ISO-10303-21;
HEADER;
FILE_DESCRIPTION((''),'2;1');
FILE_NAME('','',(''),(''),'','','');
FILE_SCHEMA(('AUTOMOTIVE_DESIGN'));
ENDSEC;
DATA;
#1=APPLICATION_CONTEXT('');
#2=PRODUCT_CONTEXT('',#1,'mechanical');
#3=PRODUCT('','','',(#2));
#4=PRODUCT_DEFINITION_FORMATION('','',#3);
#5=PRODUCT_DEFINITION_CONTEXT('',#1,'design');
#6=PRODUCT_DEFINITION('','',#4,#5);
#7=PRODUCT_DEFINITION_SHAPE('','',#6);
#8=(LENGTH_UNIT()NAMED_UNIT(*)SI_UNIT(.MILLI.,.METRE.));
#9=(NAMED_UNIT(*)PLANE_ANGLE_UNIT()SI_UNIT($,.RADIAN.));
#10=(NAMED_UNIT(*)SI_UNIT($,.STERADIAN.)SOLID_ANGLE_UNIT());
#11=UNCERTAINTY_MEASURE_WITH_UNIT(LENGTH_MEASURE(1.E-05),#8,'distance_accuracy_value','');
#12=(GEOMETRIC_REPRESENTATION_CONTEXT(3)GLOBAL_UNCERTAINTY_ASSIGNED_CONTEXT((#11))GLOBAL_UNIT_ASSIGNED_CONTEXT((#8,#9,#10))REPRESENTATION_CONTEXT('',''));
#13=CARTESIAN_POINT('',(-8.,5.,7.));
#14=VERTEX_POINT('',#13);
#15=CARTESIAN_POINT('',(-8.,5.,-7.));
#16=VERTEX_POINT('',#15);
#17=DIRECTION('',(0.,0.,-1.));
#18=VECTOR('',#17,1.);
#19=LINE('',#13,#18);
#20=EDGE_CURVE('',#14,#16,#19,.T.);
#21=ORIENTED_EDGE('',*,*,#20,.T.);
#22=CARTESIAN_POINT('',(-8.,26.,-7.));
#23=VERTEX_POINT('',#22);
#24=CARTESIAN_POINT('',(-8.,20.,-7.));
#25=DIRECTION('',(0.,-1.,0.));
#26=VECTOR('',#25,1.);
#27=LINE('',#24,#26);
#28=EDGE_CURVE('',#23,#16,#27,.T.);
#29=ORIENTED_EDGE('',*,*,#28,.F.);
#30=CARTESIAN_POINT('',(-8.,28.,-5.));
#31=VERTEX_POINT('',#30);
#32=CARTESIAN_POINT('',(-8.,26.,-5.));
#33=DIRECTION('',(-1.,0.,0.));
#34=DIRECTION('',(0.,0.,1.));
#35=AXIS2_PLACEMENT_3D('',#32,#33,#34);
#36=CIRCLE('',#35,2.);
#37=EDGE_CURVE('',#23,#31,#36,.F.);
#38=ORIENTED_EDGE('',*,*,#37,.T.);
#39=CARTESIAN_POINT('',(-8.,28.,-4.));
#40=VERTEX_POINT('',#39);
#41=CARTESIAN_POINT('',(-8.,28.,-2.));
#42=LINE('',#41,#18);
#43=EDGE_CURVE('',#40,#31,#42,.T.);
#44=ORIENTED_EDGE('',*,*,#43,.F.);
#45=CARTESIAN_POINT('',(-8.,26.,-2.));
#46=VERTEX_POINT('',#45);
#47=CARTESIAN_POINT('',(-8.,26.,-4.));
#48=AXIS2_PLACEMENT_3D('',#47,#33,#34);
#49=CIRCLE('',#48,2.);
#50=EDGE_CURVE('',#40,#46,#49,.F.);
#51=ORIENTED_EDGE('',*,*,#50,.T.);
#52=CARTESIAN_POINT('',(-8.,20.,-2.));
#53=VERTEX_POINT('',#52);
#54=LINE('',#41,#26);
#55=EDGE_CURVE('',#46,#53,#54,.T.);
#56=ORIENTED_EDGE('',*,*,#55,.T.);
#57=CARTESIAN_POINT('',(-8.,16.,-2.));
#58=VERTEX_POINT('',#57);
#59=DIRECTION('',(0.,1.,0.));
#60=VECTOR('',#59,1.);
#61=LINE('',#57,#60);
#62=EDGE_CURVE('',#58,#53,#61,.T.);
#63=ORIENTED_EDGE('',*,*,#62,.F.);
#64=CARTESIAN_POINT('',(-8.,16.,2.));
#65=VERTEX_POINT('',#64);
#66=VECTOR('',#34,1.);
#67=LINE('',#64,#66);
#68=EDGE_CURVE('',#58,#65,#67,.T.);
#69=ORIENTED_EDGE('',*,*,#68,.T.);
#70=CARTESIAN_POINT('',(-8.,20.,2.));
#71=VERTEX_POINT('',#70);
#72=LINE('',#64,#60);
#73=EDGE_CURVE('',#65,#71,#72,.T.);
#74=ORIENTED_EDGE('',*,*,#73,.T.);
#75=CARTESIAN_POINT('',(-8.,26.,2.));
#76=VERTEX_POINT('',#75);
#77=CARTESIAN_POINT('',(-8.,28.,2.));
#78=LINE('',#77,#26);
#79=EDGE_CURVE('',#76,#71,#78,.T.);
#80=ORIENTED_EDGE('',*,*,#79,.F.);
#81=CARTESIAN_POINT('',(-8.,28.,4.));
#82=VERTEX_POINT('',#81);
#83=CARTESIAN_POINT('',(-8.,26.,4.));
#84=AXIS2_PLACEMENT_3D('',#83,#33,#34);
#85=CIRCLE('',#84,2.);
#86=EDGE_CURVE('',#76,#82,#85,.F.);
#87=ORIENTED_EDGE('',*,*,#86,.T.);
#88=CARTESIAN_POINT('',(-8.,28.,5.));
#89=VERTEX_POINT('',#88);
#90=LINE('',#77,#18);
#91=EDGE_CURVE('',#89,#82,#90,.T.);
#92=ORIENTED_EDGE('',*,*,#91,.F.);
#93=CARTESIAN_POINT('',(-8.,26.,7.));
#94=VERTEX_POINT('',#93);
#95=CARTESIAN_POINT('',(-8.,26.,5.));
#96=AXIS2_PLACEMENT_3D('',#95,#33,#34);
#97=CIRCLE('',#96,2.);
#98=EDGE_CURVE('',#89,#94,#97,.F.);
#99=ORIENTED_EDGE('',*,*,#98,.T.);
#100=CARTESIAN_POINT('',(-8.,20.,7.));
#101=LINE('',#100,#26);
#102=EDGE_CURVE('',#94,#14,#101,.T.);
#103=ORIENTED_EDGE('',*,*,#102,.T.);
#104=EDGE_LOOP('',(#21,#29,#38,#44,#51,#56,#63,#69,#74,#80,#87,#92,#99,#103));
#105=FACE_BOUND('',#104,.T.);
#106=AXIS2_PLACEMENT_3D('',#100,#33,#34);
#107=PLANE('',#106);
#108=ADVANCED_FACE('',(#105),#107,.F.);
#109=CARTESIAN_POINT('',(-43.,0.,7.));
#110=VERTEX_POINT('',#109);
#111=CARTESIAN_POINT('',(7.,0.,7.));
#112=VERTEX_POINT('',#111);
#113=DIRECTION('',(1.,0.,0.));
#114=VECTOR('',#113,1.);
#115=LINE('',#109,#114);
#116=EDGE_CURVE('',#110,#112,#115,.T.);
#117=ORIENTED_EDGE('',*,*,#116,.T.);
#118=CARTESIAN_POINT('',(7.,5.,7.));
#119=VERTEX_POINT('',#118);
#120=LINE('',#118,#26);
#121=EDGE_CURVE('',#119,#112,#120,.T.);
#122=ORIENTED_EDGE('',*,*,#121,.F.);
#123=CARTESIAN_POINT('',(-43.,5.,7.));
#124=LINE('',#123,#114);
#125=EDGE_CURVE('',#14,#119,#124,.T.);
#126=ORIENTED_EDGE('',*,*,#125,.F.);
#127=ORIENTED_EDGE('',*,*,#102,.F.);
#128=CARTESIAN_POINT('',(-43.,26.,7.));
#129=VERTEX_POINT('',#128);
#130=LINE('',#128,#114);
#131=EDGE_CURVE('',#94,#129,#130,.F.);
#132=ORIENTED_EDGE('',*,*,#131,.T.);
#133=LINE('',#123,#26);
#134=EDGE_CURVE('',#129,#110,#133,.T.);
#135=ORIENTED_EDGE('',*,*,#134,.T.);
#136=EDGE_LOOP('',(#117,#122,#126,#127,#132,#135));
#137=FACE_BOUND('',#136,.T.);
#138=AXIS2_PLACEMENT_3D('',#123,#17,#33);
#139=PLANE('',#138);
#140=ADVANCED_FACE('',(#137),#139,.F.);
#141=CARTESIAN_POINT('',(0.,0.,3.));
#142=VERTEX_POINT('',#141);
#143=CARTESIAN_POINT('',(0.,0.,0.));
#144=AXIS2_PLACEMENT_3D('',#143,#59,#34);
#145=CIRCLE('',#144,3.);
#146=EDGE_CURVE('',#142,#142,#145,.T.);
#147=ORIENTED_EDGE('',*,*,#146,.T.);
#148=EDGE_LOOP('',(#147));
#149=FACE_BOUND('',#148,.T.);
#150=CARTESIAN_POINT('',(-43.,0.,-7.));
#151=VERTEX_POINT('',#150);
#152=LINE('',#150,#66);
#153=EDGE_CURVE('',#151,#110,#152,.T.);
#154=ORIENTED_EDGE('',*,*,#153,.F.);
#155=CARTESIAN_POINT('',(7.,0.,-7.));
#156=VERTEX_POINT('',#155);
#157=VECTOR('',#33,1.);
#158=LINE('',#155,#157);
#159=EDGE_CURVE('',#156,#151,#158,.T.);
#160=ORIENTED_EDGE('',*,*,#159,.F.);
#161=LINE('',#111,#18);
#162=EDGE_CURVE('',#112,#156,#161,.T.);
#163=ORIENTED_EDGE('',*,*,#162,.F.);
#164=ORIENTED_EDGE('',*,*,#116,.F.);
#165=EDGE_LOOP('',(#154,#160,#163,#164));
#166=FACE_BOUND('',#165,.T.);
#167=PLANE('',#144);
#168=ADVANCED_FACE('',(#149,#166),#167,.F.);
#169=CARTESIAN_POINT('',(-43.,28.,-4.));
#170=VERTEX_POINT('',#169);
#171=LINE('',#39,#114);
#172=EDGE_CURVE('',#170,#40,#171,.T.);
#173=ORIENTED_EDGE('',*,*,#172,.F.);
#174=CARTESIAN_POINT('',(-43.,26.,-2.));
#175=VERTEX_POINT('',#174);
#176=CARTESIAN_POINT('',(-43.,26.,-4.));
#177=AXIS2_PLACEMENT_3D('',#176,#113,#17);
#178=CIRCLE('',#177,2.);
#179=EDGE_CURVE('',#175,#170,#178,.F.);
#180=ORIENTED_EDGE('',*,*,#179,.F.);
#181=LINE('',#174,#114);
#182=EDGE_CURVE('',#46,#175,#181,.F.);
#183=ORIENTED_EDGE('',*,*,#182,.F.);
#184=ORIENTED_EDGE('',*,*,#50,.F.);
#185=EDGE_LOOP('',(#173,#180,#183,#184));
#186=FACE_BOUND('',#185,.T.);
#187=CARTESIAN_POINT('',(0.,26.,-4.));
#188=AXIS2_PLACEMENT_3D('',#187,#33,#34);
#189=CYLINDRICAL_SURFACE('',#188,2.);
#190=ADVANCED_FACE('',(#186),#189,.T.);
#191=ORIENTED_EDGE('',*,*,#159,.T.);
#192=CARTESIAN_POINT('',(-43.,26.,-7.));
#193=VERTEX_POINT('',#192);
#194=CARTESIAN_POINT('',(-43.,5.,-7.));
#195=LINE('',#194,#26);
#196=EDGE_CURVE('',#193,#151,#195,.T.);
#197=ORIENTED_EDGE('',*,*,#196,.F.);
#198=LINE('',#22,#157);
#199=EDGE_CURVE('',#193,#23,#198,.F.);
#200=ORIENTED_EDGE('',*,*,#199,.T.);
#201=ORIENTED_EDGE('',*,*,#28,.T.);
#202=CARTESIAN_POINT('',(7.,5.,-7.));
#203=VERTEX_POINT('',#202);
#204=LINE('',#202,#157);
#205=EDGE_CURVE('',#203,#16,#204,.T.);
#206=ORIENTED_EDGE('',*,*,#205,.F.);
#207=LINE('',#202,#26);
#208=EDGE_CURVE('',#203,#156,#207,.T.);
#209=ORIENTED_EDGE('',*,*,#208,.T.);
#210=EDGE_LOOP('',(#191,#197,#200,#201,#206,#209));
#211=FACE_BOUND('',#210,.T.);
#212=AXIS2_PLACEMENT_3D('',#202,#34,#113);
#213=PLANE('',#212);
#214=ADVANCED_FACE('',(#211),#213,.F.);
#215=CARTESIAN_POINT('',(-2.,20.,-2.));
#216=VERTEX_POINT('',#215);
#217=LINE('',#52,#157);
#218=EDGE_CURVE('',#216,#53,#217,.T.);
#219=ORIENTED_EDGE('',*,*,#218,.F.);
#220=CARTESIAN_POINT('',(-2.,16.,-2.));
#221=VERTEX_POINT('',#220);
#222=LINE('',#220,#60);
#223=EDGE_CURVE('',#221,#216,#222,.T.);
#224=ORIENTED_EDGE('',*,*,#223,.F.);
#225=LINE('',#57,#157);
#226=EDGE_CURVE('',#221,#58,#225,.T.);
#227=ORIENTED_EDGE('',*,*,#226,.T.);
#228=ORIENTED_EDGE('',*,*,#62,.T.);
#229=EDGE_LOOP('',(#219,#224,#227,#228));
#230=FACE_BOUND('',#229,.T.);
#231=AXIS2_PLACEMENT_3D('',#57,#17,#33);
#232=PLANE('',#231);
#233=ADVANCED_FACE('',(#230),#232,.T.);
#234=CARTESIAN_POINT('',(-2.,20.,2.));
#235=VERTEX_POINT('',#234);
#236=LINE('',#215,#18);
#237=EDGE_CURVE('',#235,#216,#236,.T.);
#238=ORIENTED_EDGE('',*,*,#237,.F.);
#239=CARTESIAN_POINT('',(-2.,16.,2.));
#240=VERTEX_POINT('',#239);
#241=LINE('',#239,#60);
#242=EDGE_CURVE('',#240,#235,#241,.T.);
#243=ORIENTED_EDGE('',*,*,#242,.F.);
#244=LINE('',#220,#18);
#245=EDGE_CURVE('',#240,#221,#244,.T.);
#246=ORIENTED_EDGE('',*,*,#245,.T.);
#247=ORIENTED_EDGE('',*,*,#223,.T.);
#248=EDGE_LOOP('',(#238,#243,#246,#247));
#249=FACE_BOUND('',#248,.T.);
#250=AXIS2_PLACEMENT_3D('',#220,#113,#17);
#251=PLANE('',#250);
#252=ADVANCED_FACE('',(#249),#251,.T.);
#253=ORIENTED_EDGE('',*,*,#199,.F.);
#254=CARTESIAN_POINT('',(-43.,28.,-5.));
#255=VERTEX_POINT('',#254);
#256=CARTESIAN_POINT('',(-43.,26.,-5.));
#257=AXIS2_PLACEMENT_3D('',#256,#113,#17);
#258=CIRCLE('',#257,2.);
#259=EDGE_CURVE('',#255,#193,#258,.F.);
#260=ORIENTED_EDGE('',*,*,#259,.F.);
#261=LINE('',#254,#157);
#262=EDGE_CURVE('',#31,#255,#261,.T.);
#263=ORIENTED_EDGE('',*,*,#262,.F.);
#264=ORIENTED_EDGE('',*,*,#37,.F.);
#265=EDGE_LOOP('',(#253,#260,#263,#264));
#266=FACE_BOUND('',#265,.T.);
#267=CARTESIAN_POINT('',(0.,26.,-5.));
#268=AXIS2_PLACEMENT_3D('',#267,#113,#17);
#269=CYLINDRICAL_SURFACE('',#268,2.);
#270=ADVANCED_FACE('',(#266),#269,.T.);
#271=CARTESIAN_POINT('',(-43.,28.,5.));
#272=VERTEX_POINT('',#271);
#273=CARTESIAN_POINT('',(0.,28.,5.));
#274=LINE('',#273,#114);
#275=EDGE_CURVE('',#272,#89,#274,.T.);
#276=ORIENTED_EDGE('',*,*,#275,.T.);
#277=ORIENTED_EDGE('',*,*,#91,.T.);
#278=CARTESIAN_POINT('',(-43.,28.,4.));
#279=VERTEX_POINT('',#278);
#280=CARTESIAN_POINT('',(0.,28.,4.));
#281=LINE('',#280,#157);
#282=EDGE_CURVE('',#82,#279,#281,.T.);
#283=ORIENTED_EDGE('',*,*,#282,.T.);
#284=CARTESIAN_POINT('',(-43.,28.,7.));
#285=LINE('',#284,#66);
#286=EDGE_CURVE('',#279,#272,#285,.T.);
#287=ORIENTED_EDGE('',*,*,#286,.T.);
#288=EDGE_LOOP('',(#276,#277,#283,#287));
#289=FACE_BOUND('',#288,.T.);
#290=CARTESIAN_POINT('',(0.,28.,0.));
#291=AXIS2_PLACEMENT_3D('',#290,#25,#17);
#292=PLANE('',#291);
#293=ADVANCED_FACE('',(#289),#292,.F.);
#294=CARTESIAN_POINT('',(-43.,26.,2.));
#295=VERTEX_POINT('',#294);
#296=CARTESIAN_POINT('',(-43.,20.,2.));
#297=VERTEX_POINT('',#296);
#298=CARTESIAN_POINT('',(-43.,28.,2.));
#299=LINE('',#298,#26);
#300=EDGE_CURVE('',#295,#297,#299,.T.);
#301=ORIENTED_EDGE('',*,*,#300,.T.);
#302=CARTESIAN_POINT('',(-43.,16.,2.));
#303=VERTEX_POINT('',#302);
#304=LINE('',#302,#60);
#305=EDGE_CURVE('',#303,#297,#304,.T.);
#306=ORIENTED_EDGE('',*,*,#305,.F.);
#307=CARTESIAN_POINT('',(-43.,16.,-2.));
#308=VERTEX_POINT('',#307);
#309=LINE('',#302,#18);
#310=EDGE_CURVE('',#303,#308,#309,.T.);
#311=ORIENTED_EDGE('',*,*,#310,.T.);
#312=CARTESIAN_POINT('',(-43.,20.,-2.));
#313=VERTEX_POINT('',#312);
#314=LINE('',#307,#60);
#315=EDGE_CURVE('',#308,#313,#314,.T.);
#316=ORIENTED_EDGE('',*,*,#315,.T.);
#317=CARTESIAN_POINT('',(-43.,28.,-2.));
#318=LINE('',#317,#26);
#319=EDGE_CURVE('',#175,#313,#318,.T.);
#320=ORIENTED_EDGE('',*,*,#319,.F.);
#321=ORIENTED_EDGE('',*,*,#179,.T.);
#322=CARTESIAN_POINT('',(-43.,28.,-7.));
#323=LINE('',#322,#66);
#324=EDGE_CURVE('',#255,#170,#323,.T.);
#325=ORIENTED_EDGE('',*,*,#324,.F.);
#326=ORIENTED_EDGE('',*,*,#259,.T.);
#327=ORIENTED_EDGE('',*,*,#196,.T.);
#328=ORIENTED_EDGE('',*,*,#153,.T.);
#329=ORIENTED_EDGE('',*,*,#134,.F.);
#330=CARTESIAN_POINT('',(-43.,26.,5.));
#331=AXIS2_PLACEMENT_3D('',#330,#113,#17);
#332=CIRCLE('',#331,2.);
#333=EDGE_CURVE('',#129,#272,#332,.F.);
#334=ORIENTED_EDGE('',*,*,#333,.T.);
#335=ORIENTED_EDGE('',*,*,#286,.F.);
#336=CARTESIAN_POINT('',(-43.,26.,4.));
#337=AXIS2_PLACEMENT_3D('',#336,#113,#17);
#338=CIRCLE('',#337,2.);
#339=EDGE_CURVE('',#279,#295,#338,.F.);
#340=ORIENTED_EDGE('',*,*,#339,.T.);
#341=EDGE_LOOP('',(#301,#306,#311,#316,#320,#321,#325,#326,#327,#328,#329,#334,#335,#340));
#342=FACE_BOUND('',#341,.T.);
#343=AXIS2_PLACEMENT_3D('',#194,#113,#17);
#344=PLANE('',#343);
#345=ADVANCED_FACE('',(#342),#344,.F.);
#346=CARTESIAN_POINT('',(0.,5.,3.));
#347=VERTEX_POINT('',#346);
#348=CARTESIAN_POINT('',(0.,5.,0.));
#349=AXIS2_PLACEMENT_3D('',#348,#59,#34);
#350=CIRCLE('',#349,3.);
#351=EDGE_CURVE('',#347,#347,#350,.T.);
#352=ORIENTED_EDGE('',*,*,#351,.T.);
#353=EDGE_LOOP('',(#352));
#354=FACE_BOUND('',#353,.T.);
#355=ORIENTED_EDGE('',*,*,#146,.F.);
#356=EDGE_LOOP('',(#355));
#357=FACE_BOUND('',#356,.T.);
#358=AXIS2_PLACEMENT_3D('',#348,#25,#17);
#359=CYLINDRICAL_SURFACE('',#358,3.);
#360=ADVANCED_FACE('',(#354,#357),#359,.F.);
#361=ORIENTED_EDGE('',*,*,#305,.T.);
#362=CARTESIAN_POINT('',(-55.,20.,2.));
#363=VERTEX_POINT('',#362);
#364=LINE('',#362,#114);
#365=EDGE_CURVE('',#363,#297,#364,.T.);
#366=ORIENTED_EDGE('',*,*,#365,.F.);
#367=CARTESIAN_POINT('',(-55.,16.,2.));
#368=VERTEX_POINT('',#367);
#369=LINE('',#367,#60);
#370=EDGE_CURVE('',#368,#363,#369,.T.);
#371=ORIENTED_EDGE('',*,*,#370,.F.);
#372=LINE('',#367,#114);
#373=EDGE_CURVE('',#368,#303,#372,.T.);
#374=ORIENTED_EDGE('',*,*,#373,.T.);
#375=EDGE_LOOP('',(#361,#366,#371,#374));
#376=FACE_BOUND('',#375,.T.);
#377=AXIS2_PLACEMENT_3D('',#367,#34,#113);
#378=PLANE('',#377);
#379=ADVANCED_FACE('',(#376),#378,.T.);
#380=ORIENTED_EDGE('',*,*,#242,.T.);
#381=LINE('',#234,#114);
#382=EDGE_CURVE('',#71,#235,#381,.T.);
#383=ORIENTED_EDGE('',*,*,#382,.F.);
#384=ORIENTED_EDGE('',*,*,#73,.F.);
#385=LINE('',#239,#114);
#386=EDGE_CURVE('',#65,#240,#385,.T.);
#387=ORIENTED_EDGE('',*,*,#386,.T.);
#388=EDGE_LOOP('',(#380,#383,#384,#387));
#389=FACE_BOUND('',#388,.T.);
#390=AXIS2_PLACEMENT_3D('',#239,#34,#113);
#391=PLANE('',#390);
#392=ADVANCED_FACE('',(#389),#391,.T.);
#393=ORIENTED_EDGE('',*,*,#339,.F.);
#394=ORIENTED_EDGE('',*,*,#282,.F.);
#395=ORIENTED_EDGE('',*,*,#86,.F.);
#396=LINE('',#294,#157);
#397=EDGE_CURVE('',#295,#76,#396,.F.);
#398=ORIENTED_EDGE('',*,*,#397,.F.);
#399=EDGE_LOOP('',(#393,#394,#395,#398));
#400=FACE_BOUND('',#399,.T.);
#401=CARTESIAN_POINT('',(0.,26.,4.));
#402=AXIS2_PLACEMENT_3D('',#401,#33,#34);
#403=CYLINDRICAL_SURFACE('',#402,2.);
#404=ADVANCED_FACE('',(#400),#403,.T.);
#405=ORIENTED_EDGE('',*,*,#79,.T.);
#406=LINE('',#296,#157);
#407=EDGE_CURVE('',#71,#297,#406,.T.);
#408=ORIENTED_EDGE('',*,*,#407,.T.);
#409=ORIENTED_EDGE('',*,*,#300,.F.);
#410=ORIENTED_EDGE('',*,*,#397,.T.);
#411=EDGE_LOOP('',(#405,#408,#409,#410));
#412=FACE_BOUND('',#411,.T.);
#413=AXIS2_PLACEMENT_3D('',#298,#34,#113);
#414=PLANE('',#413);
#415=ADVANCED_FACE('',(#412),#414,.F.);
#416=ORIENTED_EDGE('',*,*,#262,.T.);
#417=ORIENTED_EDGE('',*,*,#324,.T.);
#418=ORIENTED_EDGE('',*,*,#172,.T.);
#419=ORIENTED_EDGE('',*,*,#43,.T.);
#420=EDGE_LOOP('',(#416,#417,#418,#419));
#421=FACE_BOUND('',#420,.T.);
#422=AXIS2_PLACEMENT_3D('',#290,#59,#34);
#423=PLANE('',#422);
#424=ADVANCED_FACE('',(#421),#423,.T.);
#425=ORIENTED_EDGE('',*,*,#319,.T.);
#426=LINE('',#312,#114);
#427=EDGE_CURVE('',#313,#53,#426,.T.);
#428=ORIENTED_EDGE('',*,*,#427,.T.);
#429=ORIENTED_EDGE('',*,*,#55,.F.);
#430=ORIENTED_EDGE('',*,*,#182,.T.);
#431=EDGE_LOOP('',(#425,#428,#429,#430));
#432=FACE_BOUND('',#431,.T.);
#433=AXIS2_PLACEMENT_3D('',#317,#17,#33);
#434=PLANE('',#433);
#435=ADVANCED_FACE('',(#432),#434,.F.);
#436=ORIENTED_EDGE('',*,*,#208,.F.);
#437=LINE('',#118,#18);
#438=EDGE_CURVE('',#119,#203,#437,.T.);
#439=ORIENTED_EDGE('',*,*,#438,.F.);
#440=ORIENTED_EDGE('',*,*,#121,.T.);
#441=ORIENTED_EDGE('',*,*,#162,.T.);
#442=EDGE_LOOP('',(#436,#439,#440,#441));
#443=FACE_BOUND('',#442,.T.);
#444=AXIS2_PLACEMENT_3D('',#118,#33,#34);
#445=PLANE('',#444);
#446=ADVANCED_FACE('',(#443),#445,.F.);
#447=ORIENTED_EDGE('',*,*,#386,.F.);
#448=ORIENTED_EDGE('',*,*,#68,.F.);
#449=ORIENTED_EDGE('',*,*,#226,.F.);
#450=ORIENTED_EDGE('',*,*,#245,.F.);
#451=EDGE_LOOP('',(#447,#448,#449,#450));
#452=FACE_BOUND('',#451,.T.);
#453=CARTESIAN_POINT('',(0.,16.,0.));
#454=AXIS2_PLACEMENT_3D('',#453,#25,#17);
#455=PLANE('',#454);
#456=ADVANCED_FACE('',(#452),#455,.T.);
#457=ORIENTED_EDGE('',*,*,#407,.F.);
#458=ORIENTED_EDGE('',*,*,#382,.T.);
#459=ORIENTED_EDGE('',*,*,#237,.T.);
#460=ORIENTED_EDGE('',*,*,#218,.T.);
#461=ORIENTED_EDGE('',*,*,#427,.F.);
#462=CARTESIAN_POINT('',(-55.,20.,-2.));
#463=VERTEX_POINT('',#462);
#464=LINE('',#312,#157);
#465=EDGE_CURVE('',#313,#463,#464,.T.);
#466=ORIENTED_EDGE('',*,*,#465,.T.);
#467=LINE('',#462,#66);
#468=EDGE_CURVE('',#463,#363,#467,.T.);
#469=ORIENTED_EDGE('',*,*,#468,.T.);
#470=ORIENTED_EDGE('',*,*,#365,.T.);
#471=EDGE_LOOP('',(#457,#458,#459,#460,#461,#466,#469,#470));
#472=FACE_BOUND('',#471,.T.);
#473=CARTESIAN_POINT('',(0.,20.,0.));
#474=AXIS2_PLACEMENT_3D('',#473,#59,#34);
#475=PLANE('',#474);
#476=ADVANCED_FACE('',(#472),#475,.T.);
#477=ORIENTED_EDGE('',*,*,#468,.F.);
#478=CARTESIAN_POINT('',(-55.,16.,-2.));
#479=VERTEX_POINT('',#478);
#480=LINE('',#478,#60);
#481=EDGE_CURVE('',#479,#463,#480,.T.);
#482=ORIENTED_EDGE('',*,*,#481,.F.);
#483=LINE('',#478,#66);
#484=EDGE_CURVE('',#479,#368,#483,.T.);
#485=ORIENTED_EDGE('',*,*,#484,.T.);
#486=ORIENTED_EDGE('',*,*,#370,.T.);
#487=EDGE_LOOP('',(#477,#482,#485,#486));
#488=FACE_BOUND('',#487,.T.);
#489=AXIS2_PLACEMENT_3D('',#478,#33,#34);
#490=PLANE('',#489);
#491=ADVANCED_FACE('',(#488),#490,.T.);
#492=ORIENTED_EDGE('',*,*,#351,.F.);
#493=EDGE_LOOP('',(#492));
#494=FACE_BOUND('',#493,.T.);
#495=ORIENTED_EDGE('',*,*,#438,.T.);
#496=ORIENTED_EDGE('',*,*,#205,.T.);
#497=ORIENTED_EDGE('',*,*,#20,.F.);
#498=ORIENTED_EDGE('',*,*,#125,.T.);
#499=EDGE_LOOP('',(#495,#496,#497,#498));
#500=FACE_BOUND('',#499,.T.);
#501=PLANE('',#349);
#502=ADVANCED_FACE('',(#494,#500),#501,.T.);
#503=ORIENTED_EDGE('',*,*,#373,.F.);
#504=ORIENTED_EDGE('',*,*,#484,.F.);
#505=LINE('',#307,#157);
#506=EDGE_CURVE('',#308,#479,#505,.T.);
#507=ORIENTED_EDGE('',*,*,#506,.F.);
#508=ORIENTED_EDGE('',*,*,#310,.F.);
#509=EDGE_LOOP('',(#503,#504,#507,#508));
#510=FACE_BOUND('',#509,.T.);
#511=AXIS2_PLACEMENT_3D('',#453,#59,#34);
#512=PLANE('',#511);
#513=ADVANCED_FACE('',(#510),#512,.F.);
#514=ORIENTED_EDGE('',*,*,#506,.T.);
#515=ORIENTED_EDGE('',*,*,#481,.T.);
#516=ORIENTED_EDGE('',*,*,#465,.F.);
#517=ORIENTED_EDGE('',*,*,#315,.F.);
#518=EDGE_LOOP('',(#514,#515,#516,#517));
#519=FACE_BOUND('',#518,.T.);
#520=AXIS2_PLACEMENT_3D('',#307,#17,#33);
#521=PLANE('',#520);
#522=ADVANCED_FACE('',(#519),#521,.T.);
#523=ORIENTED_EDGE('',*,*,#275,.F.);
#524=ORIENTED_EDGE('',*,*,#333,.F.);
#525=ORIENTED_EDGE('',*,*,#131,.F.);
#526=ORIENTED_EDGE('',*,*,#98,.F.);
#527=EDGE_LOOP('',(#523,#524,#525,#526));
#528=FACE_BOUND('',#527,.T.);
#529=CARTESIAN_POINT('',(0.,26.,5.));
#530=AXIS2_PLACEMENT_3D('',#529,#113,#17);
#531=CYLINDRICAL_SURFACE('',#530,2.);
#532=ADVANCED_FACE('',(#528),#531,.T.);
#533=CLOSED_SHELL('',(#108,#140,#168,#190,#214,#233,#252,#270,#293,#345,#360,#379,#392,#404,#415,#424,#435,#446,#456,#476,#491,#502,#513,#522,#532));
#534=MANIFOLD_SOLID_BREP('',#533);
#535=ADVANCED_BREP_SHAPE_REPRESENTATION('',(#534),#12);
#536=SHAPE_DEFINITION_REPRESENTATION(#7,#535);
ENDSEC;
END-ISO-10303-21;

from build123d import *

# Parameters (mm, degrees)
SKETCH_1_W      = 50
SKETCH_1_H      = 14
SKETCH_1_R      = 3
EXTRUDE_1_DEPTH = 5
SKETCH_2_W      = 35
SKETCH_2_H      = 14
EXTRUDE_2_DEPTH = 15
SKETCH_3_W      = 35
SKETCH_3_H      = 5
EXTRUDE_3_DEPTH = 8
SKETCH_4_W      = 12
SKETCH_4_H      = 4
SKETCH_4_W_2    = 6
EXTRUDE_4_DEPTH = 4
FILLET_1_R      = 2


with BuildPart() as part:
    # Эскиз1 → Бобышка-Вытянуть1 (new body)
    with BuildSketch(Plane(origin=(0, 0, 0), x_dir=(1, 0, 0), z_dir=(0, 1, 0))):
        with Locations((-18, 0)):
            Rectangle(SKETCH_1_W, SKETCH_1_H)
        with Locations(Location((0, 0, 0), (0, 0, 270))):
            Circle(SKETCH_1_R, mode=Mode.SUBTRACT)
    extrude(amount=EXTRUDE_1_DEPTH)

    # Эскиз2 → Бобышка-Вытянуть2 (add)
    with BuildSketch(Plane(origin=(0, 5, 0), x_dir=(1, 0, 0), z_dir=(0, 1, 0))):
        with Locations((-25.5, 0)):
            Rectangle(SKETCH_2_W, SKETCH_2_H)
    extrude(amount=EXTRUDE_2_DEPTH)

    # Эскиз3 → Бобышка-Вытянуть3 (add)
    with BuildSketch(Plane(origin=(0, 20, 0), x_dir=(1, 0, 0), z_dir=(0, 1, 0))):
        with Locations((-25.5, -4.5)):
            Rectangle(SKETCH_3_W, SKETCH_3_H)
        with Locations((-25.5, 4.5)):
            Rectangle(SKETCH_3_W, SKETCH_3_H)
    extrude(amount=EXTRUDE_3_DEPTH)

    # Эскиз4 → Бобышка-Вытянуть4 (add)
    with BuildSketch(Plane(origin=(0, 20, 0), x_dir=(1, 0, 0), z_dir=(0, 1, 0))):
        with Locations((-49, 0)):
            Rectangle(SKETCH_4_W, SKETCH_4_H)
        with Locations((-5, 0)):
            Rectangle(SKETCH_4_W_2, SKETCH_4_H)
    extrude(amount=-EXTRUDE_4_DEPTH)

    # Скругление1
    fillet_1_edges = [part.edges().sort_by_distance(p)[0] for p in [
        (-25.5, 28, 7),
        (-25.5, 28, 2),
        (-25.5, 28, -7),
        (-25.5, 28, -2),
    ]]
    fillet(fillet_1_edges, radius=FILLET_1_R)


solid = part.part
